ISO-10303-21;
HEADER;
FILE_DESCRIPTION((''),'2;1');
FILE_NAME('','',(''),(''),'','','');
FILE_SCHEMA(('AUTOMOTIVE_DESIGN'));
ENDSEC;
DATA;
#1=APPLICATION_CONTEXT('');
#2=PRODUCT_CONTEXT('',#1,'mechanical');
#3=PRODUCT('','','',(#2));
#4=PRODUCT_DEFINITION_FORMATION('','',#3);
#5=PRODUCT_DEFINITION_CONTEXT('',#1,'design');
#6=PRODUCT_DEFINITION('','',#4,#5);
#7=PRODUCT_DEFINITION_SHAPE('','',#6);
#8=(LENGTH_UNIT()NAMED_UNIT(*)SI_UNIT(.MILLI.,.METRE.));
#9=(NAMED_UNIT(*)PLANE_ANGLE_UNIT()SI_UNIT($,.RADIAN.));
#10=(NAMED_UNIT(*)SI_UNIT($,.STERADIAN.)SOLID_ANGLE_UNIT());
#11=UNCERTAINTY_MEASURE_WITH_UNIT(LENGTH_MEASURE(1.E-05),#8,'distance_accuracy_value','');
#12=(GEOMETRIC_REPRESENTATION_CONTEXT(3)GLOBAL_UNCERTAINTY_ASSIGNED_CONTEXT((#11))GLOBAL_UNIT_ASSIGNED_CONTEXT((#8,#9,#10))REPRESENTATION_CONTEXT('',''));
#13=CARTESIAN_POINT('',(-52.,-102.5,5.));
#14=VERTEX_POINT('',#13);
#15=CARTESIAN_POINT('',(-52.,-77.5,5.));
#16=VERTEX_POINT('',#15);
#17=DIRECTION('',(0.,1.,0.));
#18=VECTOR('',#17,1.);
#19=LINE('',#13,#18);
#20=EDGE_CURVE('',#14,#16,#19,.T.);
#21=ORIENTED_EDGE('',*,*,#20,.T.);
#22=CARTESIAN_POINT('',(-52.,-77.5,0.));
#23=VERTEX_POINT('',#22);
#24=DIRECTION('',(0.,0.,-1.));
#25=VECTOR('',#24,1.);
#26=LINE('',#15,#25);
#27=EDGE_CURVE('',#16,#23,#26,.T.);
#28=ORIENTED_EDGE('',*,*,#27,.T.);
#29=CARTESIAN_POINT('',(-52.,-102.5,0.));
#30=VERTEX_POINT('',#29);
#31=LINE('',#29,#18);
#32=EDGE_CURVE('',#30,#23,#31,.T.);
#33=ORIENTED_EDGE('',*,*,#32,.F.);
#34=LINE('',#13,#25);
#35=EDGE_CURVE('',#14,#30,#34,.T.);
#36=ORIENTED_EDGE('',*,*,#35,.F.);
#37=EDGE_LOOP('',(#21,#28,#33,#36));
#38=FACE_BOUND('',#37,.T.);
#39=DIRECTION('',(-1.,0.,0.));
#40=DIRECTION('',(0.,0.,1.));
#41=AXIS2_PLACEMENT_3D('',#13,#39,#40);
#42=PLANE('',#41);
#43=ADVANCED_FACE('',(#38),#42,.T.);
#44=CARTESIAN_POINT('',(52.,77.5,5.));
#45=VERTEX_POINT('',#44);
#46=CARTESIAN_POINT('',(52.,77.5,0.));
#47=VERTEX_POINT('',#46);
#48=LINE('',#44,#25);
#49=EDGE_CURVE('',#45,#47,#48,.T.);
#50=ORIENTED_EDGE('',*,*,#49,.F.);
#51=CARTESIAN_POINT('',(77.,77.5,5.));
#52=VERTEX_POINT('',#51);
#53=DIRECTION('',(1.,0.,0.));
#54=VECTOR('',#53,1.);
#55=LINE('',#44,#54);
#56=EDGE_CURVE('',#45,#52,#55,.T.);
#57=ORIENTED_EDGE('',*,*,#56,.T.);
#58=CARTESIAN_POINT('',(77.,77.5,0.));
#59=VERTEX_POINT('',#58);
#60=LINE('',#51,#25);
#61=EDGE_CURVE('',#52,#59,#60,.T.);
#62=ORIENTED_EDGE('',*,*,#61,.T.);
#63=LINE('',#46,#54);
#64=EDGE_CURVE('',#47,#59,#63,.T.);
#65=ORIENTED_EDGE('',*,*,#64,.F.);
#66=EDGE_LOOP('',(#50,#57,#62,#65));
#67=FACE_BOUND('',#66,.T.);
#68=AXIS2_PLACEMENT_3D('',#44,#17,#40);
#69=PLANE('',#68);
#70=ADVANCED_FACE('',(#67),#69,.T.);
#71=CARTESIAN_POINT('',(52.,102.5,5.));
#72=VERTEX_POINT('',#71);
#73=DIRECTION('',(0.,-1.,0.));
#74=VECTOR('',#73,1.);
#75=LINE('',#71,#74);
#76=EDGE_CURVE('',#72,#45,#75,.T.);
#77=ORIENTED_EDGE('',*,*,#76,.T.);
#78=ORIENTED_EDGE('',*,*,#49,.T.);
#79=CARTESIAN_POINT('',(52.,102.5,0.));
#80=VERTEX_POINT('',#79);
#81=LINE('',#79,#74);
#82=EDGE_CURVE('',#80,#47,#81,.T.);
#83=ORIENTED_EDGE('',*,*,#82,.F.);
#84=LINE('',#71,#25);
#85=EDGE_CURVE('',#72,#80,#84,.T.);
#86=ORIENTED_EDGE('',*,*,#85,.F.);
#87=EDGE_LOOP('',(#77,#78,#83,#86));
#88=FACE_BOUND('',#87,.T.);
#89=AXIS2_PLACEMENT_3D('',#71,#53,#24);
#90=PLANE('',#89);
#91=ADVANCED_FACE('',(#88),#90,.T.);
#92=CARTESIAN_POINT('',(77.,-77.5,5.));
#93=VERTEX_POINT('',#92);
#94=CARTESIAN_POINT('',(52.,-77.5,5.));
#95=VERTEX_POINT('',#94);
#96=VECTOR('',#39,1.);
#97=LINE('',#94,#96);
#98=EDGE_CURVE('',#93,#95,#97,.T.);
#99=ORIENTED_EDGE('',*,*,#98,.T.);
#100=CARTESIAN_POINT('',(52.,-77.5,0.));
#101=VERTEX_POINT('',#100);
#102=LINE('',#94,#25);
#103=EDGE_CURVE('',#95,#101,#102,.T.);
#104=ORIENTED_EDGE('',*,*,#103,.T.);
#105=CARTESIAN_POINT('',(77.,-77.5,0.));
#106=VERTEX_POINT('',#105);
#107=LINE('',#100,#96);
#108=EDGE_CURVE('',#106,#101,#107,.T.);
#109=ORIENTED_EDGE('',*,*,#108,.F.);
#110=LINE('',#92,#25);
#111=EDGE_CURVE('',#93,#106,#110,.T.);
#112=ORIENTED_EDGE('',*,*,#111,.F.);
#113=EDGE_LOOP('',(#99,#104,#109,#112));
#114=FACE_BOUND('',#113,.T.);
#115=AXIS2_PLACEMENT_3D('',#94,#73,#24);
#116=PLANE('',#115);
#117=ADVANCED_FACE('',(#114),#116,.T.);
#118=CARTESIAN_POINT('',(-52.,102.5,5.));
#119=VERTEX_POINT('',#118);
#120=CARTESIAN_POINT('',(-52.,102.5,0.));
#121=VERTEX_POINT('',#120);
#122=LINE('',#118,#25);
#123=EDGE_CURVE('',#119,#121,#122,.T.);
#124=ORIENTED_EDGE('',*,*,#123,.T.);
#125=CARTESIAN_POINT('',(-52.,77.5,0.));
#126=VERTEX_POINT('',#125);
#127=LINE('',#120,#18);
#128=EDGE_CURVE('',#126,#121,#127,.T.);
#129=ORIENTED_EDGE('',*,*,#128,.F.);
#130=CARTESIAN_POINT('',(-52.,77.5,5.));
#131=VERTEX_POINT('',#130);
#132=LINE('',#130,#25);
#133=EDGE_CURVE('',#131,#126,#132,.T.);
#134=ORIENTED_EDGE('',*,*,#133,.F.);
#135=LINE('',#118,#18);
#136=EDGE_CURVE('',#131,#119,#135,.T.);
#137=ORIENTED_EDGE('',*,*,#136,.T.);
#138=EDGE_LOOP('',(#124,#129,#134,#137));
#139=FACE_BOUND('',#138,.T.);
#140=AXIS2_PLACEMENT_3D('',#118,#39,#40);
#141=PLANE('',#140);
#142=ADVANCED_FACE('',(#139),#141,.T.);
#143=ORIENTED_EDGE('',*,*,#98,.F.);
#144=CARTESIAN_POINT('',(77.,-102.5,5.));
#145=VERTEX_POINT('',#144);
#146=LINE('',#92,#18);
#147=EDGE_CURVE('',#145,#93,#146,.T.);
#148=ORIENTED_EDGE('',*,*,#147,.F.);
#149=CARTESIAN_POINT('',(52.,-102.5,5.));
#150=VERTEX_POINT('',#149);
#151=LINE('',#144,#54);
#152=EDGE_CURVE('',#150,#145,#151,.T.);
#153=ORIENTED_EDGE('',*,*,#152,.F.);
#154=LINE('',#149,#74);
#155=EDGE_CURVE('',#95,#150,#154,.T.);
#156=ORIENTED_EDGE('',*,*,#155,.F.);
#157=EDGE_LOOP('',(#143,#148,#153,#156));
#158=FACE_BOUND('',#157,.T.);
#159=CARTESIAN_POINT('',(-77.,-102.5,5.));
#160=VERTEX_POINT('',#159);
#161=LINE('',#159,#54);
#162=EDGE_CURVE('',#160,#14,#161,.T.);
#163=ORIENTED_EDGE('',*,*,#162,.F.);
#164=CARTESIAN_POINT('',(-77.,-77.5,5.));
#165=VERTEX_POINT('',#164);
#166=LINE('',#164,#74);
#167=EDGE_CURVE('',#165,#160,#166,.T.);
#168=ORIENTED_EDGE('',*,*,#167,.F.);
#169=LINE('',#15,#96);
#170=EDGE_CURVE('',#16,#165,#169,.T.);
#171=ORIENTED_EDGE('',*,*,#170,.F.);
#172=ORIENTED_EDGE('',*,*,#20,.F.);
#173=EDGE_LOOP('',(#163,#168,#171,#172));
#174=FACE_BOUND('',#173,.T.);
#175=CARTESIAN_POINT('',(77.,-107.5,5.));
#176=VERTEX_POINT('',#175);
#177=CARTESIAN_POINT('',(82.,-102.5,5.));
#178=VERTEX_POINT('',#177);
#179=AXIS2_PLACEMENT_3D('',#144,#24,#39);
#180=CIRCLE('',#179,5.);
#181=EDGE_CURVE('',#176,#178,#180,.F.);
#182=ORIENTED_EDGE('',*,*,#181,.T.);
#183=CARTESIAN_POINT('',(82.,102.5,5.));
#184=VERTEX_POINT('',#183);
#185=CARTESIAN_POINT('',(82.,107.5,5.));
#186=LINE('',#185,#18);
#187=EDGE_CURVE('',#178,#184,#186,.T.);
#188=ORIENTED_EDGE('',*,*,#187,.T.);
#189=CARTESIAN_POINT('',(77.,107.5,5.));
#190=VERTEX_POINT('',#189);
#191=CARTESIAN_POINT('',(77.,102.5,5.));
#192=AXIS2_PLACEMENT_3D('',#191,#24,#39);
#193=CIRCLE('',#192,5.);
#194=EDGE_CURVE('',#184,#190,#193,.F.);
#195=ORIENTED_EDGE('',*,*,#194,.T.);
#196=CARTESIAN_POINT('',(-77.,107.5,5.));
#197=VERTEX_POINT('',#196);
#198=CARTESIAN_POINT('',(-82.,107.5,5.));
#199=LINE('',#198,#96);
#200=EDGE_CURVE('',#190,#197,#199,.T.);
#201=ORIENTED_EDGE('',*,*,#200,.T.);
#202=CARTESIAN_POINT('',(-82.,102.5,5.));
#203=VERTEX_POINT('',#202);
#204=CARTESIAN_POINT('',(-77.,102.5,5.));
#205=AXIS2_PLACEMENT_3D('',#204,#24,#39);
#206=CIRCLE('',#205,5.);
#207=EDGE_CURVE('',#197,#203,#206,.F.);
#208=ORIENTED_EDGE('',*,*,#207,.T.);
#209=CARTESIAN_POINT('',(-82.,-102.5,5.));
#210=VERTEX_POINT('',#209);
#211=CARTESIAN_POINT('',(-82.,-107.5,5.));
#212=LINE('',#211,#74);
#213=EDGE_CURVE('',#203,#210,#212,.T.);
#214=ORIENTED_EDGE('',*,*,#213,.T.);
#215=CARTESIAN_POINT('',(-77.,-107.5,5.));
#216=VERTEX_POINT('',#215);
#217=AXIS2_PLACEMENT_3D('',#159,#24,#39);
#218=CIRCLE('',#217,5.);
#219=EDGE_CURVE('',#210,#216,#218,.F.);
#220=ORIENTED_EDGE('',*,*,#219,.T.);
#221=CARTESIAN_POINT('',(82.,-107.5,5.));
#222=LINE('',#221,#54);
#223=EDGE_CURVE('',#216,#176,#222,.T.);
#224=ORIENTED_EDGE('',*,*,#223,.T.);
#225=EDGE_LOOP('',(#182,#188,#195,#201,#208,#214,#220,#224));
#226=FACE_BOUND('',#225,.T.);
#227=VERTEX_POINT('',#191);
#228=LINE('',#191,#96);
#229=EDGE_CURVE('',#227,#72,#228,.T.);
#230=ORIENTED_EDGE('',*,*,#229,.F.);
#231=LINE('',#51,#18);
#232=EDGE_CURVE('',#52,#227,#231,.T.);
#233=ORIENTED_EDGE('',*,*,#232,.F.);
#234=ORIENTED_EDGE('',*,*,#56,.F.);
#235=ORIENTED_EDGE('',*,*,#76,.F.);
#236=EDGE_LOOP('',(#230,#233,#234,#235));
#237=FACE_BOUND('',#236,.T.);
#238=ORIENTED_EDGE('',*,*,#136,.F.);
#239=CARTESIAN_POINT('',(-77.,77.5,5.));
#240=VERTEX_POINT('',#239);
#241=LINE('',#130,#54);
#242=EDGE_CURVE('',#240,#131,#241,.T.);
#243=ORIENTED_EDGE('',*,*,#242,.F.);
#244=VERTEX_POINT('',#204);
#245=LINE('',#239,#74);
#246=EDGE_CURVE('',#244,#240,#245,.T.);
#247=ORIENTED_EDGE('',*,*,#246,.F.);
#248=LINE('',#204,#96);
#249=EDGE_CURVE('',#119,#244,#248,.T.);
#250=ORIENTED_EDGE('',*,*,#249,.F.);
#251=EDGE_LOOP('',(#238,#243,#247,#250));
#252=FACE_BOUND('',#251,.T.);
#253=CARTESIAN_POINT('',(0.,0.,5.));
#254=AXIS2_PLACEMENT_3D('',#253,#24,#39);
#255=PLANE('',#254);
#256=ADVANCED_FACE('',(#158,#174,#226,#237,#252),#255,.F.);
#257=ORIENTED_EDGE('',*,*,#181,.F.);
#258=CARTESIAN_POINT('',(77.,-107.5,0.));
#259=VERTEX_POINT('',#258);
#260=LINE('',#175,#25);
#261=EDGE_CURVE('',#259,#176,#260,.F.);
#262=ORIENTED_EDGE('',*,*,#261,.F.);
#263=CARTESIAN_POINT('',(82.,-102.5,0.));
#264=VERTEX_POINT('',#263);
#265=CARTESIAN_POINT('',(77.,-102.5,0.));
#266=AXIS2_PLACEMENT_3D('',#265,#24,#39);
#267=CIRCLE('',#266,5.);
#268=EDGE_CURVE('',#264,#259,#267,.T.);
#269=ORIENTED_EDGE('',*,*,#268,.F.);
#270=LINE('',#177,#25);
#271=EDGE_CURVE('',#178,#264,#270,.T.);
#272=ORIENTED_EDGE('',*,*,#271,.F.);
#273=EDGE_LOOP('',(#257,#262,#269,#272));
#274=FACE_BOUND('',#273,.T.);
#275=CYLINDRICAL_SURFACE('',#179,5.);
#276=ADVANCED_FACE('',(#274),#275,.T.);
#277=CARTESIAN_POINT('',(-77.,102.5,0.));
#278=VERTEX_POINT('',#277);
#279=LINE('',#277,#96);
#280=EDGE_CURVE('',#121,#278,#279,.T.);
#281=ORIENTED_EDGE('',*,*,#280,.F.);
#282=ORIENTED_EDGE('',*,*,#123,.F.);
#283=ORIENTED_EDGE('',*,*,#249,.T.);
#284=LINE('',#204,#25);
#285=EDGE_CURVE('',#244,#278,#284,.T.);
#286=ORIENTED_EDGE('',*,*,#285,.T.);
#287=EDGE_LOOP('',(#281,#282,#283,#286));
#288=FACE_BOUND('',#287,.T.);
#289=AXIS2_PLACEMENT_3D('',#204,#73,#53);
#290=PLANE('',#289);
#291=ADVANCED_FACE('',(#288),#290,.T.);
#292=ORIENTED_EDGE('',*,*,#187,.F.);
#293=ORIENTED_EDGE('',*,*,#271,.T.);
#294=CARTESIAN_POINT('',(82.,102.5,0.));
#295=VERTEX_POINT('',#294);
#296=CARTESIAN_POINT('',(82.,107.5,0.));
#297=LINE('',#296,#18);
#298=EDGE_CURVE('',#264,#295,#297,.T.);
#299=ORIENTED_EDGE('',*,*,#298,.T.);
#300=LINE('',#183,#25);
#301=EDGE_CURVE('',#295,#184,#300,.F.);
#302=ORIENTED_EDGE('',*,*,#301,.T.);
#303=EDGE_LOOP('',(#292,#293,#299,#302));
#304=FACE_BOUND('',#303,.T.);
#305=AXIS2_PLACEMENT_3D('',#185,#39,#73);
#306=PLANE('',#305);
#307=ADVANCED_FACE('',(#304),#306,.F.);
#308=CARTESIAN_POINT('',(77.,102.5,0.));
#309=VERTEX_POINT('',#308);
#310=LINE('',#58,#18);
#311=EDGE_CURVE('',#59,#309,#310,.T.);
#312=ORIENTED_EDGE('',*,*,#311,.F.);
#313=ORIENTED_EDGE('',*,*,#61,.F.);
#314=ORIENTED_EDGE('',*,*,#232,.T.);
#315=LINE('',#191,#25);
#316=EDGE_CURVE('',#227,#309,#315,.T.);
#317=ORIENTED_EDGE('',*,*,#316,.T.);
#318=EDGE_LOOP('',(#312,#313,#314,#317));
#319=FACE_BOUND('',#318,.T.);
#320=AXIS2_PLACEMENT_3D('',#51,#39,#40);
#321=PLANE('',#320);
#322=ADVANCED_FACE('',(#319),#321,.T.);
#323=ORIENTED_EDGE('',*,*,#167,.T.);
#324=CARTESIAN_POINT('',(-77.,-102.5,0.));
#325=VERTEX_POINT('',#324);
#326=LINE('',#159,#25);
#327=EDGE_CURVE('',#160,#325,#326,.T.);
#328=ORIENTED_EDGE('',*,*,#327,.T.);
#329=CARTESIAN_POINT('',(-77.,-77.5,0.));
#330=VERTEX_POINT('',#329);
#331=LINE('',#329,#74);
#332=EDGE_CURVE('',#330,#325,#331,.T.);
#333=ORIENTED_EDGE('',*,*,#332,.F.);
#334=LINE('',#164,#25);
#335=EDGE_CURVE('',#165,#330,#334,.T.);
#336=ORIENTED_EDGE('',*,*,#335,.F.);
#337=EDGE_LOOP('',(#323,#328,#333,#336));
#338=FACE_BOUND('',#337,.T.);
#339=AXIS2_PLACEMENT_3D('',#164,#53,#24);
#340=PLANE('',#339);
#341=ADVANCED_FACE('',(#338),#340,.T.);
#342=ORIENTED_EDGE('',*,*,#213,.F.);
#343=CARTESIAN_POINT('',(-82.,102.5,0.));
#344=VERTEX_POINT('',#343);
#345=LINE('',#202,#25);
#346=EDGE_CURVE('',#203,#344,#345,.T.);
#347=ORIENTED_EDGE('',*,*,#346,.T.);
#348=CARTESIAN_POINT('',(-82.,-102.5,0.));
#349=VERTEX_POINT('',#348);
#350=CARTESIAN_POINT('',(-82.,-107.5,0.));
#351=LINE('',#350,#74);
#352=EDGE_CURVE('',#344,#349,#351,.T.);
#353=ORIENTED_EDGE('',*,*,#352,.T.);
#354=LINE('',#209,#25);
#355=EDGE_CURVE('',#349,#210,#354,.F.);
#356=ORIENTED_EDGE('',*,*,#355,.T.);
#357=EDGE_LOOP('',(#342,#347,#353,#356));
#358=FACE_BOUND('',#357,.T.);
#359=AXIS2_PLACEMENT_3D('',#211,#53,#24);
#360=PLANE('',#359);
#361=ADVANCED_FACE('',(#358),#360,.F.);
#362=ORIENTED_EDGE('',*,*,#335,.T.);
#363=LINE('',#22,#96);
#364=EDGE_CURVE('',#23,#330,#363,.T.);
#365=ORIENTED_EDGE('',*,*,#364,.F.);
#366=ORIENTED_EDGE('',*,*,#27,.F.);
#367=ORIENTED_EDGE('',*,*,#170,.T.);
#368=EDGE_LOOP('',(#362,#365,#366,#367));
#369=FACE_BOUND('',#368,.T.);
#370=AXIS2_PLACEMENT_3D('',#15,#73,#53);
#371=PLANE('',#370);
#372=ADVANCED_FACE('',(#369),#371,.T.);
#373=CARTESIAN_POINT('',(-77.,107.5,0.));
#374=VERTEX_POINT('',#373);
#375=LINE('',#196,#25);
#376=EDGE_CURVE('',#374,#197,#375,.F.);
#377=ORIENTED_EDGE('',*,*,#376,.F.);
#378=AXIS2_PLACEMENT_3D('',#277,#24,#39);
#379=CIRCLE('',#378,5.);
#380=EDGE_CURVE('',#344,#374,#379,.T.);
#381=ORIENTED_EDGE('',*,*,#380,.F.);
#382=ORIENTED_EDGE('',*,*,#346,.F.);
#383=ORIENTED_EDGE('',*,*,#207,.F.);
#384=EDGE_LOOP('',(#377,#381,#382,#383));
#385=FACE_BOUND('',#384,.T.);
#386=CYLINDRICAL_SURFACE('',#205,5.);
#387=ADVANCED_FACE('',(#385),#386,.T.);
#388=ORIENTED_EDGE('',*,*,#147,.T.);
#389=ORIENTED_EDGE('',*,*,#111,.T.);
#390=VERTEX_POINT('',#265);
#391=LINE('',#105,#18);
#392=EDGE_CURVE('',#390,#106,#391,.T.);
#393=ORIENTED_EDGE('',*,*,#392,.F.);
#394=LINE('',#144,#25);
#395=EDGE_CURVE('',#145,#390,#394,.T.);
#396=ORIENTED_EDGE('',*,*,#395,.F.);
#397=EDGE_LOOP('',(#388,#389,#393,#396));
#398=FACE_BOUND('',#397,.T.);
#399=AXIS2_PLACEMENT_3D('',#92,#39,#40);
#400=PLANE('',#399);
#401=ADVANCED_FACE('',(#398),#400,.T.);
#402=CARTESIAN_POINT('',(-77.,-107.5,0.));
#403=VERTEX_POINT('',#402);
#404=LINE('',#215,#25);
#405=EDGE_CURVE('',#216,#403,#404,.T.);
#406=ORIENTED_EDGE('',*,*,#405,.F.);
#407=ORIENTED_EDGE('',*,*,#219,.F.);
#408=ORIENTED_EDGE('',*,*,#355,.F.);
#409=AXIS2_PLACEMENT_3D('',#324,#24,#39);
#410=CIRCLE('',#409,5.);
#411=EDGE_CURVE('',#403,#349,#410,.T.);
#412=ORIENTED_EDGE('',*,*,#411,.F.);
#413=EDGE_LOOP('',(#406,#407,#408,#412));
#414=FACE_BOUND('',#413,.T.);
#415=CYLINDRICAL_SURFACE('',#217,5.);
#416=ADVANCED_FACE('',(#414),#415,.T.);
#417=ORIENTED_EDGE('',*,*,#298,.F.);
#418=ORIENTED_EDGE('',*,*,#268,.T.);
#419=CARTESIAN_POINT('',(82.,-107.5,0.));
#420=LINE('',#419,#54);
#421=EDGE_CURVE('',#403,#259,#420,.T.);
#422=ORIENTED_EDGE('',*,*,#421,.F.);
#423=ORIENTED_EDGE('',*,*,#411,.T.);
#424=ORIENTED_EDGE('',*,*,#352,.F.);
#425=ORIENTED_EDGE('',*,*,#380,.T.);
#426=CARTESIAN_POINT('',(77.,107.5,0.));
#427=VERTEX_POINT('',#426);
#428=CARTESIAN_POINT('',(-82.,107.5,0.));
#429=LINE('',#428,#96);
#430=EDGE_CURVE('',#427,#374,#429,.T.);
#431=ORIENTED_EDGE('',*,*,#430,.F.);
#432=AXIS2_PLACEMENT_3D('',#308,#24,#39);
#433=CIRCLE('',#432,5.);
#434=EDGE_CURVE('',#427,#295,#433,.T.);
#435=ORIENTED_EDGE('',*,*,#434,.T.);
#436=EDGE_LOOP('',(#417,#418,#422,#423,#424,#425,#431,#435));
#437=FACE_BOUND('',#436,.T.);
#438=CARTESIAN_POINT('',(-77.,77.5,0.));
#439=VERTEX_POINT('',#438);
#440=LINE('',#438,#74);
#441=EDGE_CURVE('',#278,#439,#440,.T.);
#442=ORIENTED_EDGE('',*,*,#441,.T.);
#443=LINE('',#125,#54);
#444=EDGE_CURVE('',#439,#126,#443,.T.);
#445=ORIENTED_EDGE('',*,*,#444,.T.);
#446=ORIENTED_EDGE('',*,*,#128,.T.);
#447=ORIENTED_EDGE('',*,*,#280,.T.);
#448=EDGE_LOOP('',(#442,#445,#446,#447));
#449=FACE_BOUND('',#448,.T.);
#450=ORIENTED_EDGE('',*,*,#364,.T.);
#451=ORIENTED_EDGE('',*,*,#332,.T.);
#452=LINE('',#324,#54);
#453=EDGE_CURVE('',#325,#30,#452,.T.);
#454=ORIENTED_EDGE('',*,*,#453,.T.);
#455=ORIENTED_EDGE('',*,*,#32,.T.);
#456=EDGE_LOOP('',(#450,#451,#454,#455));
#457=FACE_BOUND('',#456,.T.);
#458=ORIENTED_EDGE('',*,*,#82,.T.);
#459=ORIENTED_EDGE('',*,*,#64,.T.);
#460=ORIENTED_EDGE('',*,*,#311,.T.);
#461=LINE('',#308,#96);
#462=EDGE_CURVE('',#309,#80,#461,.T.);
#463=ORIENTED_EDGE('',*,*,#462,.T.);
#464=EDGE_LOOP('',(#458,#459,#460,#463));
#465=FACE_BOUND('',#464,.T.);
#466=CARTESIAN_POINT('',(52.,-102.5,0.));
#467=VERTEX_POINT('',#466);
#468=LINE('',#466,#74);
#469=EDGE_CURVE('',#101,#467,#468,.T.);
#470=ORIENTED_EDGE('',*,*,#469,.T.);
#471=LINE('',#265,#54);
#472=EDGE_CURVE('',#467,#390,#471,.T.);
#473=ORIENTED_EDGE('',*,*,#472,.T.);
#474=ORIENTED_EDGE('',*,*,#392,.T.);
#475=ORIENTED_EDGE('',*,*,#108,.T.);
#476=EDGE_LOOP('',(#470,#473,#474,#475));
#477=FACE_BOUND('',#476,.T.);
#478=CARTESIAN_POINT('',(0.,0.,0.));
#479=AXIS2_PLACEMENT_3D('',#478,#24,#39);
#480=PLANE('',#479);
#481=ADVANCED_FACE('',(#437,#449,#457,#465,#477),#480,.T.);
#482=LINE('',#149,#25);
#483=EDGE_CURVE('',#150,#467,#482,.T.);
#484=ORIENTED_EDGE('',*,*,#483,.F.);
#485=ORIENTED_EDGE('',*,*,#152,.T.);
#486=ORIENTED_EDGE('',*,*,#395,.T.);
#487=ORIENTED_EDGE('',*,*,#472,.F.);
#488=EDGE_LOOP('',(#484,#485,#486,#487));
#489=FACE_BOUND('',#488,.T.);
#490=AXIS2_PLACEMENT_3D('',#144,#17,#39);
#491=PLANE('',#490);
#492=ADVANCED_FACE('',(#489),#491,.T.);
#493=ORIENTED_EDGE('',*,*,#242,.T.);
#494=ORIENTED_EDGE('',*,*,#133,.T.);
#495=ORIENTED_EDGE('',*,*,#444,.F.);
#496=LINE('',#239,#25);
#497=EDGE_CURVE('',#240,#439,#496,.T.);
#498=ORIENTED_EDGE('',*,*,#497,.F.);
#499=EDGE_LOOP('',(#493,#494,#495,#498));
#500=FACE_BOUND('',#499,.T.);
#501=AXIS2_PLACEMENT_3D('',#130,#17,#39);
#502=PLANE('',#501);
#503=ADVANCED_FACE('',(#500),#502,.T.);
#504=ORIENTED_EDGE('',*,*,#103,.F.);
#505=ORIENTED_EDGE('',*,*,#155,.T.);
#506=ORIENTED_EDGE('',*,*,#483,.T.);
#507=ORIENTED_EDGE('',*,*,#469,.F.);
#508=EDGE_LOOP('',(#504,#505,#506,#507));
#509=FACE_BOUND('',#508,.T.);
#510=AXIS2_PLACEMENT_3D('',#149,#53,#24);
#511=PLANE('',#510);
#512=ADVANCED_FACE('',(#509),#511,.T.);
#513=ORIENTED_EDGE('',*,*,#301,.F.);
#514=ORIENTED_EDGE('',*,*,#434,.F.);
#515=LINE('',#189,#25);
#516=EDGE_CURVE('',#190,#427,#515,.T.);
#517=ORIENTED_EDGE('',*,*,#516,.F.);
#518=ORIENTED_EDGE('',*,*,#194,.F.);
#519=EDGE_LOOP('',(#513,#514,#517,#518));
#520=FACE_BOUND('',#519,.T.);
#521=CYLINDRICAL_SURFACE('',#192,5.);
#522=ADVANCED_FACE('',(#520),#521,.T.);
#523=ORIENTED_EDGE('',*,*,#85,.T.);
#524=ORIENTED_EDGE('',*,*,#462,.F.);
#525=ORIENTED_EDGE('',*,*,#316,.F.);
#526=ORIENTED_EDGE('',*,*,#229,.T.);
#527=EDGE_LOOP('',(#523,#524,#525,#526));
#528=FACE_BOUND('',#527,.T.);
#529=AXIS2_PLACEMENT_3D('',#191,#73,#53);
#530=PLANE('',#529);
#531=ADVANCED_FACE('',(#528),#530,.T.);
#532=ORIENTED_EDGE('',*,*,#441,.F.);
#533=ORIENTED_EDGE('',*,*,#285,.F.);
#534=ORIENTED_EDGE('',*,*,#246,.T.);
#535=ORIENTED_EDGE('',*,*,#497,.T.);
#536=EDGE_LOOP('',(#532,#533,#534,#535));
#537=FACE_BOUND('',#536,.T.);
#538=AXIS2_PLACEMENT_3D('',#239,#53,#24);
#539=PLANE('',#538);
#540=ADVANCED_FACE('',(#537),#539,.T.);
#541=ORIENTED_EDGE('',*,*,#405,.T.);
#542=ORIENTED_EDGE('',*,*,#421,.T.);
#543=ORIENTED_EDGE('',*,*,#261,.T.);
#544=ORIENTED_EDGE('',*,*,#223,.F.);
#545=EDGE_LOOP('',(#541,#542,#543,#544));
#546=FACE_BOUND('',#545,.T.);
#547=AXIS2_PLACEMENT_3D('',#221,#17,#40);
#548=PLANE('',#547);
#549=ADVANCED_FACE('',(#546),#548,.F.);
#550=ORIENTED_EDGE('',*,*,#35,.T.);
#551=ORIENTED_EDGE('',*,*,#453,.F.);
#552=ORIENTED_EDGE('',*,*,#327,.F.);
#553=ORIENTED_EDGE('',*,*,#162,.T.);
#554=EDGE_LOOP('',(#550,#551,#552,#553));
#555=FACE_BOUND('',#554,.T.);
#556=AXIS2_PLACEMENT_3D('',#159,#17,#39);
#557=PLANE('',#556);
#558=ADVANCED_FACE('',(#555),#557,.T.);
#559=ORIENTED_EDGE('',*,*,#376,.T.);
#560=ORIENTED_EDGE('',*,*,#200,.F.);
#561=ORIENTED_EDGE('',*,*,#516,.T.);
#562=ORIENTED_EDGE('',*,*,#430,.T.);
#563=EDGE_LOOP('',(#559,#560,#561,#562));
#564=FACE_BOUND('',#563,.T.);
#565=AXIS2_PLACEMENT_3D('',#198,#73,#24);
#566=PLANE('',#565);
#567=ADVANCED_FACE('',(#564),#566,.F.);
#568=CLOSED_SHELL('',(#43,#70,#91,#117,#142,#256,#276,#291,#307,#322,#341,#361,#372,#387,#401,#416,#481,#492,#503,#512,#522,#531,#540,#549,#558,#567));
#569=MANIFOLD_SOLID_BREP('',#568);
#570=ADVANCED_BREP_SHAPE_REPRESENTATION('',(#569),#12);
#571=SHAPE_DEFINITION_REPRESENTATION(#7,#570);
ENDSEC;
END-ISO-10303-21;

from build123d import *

# Parameters (mm, degrees)
ESQUISSE1_W             = 164
ESQUISSE1_H             = 215
BOSS_EXTRU_1_DEPTH      = 5
ESQUISSE2_W             = 25
ESQUISSE2_H             = 25
ENL_V_MAT_EXTRU_1_DEPTH = 5
CONG_1_R                = 5


with BuildPart() as part:
    # Esquisse1 → Boss.-Extru.1 (new body)
    with BuildSketch(Plane.XY):
        Rectangle(ESQUISSE1_W, ESQUISSE1_H)
    extrude(amount=BOSS_EXTRU_1_DEPTH)

    # Esquisse2 → Enlèv. mat.-Extru.1 (cut)
    with BuildSketch(Plane.XY):
        with Locations((-64.5, 90)):
            Rectangle(ESQUISSE2_W, ESQUISSE2_H)
        with Locations((64.5, 90)):
            Rectangle(ESQUISSE2_W, ESQUISSE2_H)
        with Locations((64.5, -90)):
            Rectangle(ESQUISSE2_W, ESQUISSE2_H)
        with Locations((-64.5, -90)):
            Rectangle(ESQUISSE2_W, ESQUISSE2_H)
    extrude(amount=ENL_V_MAT_EXTRU_1_DEPTH, mode=Mode.SUBTRACT)

    # Congé1
    cong_1_edges = [part.edges().sort_by_distance(p)[0] for p in [
        (-82, 107.5, 2.5),
        (82, 107.5, 2.5),
        (82, -107.5, 2.5),
        (-82, -107.5, 2.5),
    ]]
    fillet(cong_1_edges, radius=CONG_1_R)


solid = part.part
